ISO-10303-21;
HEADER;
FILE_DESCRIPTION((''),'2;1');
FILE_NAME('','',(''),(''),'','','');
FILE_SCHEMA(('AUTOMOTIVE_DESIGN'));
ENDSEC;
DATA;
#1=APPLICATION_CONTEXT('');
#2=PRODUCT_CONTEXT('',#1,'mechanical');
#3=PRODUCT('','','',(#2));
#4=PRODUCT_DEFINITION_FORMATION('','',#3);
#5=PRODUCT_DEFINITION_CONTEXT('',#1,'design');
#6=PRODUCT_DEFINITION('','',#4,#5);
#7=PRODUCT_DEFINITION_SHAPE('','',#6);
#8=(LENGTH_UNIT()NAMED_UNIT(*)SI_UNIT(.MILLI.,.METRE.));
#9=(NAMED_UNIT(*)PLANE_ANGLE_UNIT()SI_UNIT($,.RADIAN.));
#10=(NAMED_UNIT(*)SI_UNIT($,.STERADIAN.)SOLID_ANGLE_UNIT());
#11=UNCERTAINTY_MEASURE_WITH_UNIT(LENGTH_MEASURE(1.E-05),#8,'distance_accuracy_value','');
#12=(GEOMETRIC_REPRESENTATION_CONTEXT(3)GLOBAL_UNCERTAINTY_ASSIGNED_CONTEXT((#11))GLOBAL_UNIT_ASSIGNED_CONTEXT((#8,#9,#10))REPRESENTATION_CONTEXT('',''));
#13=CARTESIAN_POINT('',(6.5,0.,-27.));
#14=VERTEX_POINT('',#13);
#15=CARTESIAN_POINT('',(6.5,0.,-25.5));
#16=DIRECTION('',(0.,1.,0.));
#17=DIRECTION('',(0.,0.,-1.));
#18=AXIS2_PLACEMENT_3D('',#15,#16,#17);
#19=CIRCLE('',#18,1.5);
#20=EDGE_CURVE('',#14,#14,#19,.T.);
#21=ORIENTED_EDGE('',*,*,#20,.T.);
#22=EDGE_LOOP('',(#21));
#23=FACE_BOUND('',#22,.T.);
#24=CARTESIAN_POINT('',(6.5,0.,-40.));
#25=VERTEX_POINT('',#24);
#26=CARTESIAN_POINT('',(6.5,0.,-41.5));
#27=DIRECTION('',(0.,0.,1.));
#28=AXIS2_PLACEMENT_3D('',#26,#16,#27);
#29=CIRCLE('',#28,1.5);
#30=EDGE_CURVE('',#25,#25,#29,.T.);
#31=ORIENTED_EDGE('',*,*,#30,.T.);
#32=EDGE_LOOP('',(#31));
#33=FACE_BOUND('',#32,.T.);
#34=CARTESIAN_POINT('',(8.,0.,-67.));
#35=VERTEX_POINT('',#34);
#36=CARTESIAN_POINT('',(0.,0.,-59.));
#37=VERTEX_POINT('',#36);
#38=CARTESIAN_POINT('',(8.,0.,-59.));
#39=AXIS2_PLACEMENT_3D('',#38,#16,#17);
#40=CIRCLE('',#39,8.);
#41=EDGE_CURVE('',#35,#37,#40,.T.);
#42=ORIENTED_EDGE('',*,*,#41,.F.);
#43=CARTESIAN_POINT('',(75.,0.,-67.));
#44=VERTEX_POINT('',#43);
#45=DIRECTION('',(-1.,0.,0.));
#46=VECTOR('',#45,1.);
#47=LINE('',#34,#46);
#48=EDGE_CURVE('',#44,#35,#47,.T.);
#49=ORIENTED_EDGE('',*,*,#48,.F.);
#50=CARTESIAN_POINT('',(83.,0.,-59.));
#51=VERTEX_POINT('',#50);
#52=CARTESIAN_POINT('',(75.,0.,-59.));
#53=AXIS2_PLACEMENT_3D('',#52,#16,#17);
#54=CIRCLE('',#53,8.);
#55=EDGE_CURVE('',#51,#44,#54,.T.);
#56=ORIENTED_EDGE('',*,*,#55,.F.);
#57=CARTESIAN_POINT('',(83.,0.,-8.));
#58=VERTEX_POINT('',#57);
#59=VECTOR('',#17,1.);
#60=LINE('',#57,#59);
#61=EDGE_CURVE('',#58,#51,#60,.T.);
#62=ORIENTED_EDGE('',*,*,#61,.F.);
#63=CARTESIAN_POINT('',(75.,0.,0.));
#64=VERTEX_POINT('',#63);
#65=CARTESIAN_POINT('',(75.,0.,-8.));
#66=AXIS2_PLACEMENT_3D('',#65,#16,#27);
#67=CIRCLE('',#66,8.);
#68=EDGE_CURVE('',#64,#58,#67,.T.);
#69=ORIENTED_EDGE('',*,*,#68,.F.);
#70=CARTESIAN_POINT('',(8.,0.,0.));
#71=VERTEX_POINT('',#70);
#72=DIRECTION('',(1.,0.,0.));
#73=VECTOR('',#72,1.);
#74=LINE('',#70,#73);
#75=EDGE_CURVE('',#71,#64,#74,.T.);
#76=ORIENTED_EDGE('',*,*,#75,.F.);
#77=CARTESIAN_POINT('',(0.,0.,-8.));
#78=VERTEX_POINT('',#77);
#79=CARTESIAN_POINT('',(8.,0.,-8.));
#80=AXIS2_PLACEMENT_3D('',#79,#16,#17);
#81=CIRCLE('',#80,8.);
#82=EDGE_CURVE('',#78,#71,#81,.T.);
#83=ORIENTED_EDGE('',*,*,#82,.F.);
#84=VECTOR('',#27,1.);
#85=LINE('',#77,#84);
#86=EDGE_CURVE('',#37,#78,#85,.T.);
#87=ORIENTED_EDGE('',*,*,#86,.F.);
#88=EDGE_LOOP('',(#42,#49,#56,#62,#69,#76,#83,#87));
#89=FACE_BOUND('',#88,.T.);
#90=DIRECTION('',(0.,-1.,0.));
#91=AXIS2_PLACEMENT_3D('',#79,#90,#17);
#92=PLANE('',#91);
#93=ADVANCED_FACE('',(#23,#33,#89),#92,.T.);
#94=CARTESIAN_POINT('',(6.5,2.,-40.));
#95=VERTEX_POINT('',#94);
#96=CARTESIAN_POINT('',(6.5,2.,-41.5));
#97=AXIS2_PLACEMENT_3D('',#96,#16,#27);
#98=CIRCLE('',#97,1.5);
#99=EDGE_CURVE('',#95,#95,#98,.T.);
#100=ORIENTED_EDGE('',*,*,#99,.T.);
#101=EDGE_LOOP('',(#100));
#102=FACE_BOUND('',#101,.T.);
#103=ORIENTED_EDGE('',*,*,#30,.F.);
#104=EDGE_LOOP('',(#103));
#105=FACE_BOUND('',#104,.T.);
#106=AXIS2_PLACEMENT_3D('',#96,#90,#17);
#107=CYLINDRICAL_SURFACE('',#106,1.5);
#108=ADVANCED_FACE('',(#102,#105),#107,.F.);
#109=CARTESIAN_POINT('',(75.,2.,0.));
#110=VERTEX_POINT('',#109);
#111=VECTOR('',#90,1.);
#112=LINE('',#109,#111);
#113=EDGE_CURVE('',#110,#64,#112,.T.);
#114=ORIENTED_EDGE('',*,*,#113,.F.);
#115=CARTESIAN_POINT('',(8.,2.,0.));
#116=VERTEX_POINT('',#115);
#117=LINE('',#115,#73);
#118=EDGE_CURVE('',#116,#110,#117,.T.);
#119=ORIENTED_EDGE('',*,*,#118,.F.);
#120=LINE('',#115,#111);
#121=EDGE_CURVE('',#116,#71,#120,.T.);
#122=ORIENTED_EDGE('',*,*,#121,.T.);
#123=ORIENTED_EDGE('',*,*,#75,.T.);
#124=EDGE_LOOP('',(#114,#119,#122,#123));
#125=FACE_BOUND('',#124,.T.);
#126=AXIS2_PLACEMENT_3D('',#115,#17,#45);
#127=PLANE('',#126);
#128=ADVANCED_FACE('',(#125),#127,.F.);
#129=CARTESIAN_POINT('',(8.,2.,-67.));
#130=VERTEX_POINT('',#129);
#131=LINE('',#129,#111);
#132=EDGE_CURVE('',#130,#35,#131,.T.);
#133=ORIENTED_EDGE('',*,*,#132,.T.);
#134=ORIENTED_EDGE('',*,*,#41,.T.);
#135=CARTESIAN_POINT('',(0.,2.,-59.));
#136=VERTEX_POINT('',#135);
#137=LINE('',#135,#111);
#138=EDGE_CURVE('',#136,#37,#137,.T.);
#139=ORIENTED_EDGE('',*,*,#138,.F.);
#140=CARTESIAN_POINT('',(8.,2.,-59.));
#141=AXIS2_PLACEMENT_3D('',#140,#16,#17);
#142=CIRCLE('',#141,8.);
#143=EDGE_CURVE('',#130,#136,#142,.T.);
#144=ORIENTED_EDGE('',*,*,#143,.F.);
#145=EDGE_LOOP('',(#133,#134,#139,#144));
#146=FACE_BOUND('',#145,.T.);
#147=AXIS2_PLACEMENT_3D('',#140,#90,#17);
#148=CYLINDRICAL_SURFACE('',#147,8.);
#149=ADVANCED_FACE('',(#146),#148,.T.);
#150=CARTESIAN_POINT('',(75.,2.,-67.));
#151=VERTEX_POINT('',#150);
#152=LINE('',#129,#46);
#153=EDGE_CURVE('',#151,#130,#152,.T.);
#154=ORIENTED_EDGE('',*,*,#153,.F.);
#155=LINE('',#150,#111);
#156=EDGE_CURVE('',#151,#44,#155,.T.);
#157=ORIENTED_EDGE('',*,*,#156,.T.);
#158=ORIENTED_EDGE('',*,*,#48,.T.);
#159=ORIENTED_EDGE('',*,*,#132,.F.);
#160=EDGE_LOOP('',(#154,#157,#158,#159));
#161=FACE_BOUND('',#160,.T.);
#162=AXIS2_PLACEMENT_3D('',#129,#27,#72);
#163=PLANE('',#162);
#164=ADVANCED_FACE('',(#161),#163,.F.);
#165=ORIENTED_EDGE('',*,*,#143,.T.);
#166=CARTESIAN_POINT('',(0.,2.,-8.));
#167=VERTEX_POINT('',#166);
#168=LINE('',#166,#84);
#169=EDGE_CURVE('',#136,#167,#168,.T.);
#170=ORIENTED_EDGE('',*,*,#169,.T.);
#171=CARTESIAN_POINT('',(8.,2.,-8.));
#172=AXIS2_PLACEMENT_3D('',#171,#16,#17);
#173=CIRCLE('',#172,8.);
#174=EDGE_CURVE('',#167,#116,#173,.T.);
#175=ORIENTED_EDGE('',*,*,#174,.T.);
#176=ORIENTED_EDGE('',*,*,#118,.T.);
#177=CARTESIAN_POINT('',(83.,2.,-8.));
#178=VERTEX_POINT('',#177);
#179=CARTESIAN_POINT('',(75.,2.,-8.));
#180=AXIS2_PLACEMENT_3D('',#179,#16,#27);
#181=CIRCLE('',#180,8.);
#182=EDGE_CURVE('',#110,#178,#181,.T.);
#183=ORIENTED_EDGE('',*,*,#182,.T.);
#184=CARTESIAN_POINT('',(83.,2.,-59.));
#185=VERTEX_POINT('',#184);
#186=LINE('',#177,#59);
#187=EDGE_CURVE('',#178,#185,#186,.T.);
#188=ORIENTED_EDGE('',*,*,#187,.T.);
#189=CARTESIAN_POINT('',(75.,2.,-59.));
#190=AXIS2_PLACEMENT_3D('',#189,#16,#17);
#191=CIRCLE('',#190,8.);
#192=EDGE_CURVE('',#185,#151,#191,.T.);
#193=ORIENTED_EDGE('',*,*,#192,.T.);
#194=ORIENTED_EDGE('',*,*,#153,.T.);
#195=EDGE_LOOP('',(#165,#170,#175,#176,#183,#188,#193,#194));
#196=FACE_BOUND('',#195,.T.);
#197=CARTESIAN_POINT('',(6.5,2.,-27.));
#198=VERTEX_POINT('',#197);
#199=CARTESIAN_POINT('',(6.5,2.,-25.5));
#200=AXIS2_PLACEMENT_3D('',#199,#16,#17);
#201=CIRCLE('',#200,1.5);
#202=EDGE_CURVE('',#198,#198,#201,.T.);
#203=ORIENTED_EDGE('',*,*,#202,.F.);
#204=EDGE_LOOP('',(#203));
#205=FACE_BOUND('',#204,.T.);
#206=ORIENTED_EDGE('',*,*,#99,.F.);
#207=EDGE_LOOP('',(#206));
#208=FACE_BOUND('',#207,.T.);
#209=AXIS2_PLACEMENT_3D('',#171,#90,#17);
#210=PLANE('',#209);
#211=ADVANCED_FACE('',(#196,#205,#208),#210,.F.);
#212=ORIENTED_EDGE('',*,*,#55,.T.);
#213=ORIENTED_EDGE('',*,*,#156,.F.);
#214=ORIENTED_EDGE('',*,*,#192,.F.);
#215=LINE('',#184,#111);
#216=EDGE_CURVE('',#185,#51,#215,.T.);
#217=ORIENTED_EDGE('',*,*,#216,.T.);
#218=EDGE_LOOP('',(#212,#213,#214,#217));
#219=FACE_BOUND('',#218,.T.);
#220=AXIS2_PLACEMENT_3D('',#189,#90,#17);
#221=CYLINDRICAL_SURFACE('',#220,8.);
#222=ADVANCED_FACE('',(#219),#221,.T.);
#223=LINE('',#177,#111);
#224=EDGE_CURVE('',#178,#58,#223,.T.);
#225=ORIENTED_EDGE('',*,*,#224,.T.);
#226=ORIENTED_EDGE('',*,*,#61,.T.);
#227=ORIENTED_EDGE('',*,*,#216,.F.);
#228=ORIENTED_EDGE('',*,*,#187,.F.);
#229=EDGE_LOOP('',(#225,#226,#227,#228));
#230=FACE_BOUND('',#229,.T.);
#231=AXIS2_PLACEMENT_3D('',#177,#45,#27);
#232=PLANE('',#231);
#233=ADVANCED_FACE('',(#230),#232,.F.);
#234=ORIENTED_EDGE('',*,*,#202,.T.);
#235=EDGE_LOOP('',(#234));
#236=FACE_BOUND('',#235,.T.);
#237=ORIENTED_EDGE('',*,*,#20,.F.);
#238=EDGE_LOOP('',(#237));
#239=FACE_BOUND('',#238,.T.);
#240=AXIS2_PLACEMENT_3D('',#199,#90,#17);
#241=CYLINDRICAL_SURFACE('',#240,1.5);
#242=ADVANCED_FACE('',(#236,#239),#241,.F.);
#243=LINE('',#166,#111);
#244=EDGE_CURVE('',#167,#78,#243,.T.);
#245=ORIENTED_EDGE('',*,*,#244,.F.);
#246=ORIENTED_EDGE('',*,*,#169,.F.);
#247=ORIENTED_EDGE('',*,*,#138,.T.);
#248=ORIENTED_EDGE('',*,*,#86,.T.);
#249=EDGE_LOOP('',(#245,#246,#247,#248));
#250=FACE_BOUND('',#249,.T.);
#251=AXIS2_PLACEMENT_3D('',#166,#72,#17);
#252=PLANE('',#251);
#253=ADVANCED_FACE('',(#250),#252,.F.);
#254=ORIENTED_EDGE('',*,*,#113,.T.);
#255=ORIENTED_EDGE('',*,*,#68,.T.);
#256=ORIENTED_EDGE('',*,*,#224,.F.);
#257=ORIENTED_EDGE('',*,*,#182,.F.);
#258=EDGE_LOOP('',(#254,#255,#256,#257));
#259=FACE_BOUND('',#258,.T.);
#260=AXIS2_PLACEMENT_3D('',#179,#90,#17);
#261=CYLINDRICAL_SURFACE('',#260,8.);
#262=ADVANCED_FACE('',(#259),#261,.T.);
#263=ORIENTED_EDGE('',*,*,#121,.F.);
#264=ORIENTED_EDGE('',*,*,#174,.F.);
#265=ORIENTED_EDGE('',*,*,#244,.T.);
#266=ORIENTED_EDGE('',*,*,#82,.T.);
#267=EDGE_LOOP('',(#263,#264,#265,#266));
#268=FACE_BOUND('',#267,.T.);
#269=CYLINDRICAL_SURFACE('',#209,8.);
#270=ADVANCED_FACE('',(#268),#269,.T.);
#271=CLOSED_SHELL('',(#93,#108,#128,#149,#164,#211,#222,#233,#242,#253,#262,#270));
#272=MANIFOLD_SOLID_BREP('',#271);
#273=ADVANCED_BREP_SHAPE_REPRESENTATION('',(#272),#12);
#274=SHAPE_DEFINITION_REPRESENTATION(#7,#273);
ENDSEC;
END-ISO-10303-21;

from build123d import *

# Parameters (mm, degrees)
SKETCH1_R           = 1.5
BOSS_EXTRUDE1_DEPTH = 2


with BuildPart() as part:
    # Sketch1 → Boss-Extrude1 (new body)
    with BuildSketch(Plane(origin=(0, 0, 0), x_dir=(1, 0, 0), z_dir=(0, 1, 0))):
        with BuildLine():
            Line((8, 0), (75, 0))
            ThreePointArc((75, 0), (80.656854249, 2.343145751), (83, 8))
            Line((83, 8), (83, 59))
            ThreePointArc((83, 59), (80.656854249, 64.656854249), (75, 67))
            Line((75, 67), (8, 67))
            ThreePointArc((8, 67), (2.343145751, 64.656854249), (0, 59))
            Line((0, 59), (0, 8))
            ThreePointArc((0, 8), (2.343145751, 2.343145751), (8, 0))
        make_face()
        with Locations(Location((6.5, 41.5, 0), (0, 0, 270))):
            Circle(SKETCH1_R, mode=Mode.SUBTRACT)
        with Locations(Location((6.5, 25.5, 0), (0, 0, 90))):
            Circle(SKETCH1_R, mode=Mode.SUBTRACT)
    extrude(amount=BOSS_EXTRUDE1_DEPTH)


solid = part.part
